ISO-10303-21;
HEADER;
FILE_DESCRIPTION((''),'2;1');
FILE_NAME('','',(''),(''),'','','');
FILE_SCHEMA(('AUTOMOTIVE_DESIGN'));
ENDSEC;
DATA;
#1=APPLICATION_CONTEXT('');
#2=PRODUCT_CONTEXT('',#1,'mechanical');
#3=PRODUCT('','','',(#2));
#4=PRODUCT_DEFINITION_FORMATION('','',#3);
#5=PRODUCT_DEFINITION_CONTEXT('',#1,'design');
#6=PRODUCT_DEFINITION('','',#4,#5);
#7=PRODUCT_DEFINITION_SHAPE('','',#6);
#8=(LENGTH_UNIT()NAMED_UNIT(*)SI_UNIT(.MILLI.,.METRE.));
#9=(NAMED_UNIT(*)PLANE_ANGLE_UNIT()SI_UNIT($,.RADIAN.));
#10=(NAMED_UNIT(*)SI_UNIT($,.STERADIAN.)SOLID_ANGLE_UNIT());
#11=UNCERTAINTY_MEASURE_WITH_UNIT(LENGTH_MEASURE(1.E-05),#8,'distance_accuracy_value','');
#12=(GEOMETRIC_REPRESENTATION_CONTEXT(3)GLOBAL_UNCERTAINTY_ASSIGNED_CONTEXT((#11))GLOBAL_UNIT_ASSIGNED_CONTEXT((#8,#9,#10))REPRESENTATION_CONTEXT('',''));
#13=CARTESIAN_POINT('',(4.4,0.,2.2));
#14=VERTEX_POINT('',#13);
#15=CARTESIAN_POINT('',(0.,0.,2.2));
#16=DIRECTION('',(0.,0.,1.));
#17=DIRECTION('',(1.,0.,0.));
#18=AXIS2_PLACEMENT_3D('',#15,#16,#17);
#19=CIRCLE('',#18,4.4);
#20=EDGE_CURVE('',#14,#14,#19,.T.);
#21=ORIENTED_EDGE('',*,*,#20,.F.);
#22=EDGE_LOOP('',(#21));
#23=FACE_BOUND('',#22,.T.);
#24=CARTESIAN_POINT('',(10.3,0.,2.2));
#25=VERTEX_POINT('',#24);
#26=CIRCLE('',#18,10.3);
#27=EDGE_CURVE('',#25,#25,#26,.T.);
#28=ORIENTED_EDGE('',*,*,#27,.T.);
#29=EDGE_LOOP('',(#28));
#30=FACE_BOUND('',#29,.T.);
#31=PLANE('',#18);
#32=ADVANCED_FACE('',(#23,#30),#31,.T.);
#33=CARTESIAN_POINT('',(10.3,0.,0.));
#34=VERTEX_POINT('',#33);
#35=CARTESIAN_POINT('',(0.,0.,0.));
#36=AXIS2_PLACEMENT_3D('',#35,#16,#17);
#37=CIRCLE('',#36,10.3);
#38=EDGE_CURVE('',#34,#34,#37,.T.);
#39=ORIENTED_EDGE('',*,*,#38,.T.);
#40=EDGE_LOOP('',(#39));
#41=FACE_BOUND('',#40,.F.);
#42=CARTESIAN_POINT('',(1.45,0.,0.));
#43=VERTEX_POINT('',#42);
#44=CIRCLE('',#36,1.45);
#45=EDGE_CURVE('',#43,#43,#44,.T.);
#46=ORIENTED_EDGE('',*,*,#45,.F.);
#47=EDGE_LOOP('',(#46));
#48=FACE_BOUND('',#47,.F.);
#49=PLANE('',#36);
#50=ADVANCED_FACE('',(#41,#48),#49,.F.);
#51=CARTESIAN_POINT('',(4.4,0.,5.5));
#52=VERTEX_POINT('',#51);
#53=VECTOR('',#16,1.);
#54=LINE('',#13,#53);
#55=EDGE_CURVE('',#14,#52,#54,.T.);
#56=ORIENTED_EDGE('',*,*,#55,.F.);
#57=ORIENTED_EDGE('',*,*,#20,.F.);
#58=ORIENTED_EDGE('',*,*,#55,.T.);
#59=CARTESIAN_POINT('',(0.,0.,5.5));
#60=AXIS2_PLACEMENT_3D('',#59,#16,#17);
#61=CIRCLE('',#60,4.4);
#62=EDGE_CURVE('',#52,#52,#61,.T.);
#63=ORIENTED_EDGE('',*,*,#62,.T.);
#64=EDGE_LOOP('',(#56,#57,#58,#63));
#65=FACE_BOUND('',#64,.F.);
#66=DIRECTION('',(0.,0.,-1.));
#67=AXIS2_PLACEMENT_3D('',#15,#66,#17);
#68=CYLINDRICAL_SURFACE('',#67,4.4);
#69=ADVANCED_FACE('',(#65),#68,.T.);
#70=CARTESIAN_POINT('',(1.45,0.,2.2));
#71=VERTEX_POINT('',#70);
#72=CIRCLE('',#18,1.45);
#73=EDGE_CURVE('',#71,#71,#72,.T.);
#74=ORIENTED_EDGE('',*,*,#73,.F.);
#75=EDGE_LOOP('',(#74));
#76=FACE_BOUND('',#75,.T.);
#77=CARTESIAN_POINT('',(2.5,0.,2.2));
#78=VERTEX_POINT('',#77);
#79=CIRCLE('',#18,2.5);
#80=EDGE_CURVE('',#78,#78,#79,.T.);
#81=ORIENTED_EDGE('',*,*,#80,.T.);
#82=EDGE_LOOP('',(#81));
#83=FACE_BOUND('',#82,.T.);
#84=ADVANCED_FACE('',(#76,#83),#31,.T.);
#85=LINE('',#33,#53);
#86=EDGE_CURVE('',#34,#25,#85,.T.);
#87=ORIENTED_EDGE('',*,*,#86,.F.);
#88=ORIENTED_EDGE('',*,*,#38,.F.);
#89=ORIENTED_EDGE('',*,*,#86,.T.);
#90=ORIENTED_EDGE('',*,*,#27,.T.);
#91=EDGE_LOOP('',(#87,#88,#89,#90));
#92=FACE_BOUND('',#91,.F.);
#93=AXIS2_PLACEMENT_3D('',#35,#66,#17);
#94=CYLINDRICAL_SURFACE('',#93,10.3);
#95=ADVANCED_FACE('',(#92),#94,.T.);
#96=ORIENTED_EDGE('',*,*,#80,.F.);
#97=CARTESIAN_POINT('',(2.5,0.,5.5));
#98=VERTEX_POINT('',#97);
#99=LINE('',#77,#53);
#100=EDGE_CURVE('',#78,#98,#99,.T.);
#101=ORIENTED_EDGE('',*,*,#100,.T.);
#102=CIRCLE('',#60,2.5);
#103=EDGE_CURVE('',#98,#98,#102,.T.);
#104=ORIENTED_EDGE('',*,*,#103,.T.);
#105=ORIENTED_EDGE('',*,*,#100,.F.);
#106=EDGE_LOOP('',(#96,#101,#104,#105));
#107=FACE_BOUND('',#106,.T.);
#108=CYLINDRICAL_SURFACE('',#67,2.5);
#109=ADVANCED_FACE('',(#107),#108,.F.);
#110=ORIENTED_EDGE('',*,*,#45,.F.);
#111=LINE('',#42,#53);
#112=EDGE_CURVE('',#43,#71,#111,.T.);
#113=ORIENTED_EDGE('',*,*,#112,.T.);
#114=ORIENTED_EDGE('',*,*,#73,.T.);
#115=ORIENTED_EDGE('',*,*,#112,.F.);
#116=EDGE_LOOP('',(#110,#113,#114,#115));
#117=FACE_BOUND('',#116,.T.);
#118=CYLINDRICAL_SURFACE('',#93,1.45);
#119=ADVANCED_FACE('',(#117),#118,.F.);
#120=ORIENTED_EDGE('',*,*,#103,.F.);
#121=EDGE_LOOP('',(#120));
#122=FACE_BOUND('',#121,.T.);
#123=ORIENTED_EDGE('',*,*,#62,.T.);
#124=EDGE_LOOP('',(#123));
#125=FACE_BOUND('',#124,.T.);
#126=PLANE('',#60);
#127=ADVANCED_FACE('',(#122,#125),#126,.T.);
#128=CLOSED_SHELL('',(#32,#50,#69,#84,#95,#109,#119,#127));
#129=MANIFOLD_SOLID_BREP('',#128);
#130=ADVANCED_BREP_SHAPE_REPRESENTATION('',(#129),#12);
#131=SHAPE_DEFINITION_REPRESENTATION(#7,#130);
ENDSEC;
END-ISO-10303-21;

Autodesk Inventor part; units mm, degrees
ref_plane "YZ Plane" through (0, 0, 0) normal (1, 0, 0) x (0, 1, 0)
ref_plane "XZ Plane" through (0, 0, 0) normal (0, 1, 0) x (-1, 0, 0)
ref_plane "XY Plane" through (0, 0, 0) normal (0, 0, 1) x (1, 0, 0)
sketch "Sketch1" plane through (0, 0, 0) normal (0, 0, 1) x (1, 0, 0)
  circle A0 centre (0, 0) radius 10.3
  circle A1 centre (0, 0) radius 1.45
  dimension "d0" = 20.6
  dimension "d7" = 2.9
extrude "Extrusion1" add sketch "Sketch1" along normal blind 2.2
sketch "Sketch2" plane through (0, 0, 2.2) normal (0, 0, 1) x (1, 0, 0)
  circle A0 centre (0, 0) radius 4.4
  circle A1 centre (0, 0) radius 2.5
  dimension "d3" = 8.8
  dimension "d4" = 5
extrude "Extrusion2" add sketch "Sketch2" along normal blind 3.3
properties part number "orczyk serwa okrągły 02-2"
